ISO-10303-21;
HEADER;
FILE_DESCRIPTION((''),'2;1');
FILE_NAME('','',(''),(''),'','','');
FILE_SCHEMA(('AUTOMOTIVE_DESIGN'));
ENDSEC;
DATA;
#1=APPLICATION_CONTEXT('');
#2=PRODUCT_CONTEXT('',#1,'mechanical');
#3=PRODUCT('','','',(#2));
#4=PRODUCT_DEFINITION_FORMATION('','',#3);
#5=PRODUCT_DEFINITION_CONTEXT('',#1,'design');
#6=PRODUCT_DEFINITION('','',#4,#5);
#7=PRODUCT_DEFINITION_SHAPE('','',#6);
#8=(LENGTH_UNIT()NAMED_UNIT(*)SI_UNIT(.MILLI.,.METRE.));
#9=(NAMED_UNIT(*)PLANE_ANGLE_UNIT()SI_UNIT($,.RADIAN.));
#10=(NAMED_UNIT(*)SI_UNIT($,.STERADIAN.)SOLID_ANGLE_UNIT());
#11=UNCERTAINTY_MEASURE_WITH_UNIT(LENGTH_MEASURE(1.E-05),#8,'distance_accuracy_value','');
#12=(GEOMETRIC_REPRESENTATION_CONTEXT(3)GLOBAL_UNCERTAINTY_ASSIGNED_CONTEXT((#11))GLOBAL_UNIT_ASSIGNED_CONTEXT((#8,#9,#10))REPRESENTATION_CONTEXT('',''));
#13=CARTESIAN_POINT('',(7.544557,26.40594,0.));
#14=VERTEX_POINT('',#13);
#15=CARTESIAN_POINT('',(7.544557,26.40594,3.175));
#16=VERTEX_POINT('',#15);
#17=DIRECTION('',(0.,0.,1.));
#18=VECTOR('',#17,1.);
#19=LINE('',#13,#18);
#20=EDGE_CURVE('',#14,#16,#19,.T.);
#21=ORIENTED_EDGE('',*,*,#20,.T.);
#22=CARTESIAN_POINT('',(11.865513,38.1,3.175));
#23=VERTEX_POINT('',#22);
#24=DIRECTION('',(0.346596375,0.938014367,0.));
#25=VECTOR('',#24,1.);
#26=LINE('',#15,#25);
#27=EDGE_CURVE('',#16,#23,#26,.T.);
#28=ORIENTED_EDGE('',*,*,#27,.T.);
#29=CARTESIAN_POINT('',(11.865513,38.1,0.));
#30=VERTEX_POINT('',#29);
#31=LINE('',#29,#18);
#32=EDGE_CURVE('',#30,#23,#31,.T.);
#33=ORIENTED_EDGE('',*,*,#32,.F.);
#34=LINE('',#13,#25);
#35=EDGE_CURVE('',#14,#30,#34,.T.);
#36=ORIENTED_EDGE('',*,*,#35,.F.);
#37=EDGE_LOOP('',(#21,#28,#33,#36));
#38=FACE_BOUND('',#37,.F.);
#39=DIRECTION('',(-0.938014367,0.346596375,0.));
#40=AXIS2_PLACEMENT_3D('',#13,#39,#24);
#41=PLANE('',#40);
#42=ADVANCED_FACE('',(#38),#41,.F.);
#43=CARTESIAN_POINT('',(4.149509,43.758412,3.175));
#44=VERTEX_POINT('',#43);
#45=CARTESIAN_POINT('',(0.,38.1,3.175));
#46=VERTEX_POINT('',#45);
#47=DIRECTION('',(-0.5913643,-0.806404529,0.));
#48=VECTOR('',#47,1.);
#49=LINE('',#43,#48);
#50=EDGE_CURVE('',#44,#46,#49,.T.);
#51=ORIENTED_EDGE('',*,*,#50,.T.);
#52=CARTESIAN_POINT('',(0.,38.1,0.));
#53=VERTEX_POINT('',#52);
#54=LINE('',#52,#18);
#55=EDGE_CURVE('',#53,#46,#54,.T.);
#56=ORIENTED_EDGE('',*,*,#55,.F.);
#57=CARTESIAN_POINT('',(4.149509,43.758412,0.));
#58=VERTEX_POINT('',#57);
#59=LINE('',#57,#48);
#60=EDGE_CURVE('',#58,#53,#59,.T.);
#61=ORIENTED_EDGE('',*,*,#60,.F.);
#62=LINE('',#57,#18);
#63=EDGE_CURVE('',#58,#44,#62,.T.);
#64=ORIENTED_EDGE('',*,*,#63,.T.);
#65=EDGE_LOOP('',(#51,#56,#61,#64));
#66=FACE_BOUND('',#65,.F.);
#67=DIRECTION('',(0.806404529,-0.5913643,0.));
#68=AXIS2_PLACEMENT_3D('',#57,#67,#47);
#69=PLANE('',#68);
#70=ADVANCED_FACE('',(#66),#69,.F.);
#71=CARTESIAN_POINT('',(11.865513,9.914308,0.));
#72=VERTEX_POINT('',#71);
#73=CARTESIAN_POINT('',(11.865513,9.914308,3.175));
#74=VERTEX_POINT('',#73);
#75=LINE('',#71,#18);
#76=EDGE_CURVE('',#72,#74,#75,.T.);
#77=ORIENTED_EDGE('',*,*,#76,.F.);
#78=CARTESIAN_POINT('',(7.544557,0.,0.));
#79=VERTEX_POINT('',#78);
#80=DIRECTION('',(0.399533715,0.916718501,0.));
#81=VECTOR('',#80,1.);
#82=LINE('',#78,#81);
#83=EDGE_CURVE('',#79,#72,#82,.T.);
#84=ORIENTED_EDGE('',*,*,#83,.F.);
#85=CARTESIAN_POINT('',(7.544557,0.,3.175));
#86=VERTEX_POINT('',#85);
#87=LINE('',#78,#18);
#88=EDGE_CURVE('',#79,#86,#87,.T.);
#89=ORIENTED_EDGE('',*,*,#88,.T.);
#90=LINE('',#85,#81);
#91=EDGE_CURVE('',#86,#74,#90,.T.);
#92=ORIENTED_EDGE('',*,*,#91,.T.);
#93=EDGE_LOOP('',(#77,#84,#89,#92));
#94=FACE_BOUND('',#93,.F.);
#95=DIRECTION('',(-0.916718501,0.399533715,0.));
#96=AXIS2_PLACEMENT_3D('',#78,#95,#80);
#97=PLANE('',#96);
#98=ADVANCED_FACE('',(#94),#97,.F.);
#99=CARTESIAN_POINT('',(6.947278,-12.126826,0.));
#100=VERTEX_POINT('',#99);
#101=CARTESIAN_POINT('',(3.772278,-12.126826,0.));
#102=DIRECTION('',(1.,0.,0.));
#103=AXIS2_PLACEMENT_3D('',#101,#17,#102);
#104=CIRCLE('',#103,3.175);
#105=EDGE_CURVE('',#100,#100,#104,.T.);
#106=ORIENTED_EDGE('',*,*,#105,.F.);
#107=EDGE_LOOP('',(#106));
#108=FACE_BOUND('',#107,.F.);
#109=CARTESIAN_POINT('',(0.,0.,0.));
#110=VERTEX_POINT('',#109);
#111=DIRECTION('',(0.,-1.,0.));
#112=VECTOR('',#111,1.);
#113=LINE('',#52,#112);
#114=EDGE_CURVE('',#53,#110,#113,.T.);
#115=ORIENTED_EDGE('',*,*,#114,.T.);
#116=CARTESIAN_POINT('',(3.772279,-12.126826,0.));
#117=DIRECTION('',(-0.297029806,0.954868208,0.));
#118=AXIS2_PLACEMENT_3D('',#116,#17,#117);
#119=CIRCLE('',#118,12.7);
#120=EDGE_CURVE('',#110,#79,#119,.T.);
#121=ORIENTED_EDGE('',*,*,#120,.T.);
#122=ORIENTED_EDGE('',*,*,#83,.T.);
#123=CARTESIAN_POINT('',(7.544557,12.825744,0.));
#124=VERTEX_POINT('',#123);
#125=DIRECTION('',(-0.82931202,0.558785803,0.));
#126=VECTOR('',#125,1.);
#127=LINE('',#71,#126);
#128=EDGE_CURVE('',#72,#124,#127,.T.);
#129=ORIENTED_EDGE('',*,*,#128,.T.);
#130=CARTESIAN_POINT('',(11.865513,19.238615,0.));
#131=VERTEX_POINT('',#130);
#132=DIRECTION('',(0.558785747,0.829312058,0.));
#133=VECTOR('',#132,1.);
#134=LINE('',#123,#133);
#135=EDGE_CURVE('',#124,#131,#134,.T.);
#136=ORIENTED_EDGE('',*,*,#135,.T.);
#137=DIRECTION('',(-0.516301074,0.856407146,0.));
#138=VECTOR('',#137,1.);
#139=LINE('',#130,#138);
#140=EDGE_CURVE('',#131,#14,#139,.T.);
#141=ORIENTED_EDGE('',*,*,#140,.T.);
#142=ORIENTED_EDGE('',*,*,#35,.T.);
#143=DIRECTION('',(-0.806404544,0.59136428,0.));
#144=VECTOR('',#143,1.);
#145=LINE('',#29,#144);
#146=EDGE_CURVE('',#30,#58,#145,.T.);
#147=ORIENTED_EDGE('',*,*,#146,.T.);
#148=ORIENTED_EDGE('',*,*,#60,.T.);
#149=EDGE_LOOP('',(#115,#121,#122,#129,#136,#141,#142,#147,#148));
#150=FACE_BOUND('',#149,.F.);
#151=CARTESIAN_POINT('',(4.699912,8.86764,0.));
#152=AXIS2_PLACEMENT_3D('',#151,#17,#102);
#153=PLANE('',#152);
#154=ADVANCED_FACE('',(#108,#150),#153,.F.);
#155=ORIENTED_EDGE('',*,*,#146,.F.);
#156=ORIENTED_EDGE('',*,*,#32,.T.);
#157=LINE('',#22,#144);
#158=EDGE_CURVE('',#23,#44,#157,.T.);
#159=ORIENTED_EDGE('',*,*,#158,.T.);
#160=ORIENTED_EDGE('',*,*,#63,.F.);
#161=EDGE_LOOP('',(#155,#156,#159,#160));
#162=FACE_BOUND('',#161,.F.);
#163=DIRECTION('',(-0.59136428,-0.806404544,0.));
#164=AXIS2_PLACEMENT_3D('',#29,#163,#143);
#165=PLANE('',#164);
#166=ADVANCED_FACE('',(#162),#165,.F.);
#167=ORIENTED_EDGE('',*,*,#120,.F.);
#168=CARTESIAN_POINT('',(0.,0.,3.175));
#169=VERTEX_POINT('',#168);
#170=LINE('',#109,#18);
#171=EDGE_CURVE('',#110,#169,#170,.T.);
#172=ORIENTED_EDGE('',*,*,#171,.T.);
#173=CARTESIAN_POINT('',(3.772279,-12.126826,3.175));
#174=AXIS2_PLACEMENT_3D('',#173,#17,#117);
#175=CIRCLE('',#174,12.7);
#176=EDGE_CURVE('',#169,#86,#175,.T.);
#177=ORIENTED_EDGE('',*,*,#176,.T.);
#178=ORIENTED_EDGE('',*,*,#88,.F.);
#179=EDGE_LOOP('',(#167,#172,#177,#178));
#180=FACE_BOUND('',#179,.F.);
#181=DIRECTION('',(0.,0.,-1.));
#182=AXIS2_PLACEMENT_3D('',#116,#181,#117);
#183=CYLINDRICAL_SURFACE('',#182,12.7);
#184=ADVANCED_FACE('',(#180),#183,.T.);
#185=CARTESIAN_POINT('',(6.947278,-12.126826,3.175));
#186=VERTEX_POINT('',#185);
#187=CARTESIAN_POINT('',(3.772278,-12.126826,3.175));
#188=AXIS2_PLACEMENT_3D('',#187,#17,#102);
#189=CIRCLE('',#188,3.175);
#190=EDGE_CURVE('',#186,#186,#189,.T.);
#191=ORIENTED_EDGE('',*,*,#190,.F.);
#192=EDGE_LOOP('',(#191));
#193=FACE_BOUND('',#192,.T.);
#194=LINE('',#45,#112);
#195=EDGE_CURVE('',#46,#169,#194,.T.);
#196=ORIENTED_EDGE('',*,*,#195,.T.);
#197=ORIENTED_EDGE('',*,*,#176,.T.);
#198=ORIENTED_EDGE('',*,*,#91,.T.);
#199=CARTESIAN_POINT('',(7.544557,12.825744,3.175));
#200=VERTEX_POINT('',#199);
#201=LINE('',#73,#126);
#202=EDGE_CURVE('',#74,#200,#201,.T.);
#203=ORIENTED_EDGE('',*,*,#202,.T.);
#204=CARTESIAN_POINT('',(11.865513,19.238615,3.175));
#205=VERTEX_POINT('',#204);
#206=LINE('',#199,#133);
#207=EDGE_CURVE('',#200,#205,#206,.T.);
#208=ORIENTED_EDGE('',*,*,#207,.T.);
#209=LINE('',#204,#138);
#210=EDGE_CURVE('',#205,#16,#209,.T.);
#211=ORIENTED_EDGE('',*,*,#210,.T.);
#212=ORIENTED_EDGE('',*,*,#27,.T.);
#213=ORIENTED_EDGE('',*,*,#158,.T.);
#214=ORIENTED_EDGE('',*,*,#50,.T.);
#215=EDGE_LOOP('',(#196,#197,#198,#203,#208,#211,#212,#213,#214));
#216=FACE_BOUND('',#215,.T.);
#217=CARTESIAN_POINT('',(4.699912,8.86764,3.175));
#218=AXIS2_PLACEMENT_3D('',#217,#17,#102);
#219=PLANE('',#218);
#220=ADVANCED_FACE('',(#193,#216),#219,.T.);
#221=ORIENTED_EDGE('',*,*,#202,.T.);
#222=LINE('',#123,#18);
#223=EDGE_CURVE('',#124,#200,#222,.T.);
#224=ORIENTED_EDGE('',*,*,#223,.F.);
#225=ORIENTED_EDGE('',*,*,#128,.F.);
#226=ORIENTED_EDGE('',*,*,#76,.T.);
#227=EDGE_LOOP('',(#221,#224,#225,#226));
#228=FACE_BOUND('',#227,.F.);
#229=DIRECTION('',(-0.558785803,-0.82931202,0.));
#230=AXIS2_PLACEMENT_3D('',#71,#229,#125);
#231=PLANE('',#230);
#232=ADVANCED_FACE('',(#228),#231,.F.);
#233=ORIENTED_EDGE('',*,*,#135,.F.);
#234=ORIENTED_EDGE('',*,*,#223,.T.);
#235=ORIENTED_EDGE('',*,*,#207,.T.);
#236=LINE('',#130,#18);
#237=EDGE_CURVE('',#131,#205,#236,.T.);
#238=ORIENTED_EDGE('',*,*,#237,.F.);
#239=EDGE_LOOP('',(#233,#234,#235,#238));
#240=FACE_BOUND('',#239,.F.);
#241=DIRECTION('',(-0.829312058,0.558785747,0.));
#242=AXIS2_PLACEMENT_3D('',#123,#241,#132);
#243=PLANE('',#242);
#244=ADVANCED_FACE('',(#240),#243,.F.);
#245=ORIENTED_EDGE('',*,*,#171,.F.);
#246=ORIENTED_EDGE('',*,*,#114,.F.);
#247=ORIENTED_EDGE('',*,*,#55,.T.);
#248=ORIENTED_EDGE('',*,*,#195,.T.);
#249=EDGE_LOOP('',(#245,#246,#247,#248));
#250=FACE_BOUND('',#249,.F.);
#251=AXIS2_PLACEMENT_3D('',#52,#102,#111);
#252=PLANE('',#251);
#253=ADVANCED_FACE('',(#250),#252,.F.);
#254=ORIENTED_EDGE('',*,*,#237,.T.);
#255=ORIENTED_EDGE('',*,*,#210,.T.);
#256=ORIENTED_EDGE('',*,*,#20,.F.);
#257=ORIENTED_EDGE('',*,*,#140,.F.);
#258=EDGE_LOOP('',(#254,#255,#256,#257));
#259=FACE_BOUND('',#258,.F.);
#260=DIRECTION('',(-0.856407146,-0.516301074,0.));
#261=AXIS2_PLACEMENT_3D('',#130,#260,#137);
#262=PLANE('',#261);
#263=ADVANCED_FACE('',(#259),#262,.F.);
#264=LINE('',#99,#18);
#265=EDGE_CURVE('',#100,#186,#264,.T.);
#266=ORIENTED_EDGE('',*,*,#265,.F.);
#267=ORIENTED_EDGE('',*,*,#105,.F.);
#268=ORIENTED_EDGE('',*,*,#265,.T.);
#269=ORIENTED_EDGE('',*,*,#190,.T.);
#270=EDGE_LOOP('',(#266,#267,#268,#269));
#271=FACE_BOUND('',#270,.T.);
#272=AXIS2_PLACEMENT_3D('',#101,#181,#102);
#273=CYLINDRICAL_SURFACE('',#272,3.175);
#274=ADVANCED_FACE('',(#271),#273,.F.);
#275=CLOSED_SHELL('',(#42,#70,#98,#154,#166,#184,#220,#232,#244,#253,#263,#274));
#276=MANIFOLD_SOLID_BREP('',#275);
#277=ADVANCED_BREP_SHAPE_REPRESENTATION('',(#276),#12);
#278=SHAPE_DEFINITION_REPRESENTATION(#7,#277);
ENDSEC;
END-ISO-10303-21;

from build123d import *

# Parameters (mm, degrees)
F0_R     = 3.175
F1_DEPTH = 3.175


with BuildPart() as f1:
    # F0 (on Top) → F1 (new body)
    with BuildSketch(Plane.XY):
        with BuildLine():
            Line((0, 38.1), (0, 0))
            ThreePointArc((0, 0), (3.772278, -24.826826), (7.544557, 0))
            Line((7.544557, 0), (11.865513, 9.914308))
            Line((11.865513, 9.914308), (7.544557, 12.825744))
            Line((7.544557, 12.825744), (11.865513, 19.238615))
            Line((11.865513, 19.238615), (7.544557, 26.40594))
            Line((7.544557, 26.40594), (11.865513, 38.1))
            Line((11.865513, 38.1), (4.149509, 43.758412))
            Line((4.149509, 43.758412), (0, 38.1))
        make_face()
        with Locations((3.772278, -12.126826)):
            Circle(F0_R, mode=Mode.SUBTRACT)
    extrude(amount=F1_DEPTH)


solid = f1.part
